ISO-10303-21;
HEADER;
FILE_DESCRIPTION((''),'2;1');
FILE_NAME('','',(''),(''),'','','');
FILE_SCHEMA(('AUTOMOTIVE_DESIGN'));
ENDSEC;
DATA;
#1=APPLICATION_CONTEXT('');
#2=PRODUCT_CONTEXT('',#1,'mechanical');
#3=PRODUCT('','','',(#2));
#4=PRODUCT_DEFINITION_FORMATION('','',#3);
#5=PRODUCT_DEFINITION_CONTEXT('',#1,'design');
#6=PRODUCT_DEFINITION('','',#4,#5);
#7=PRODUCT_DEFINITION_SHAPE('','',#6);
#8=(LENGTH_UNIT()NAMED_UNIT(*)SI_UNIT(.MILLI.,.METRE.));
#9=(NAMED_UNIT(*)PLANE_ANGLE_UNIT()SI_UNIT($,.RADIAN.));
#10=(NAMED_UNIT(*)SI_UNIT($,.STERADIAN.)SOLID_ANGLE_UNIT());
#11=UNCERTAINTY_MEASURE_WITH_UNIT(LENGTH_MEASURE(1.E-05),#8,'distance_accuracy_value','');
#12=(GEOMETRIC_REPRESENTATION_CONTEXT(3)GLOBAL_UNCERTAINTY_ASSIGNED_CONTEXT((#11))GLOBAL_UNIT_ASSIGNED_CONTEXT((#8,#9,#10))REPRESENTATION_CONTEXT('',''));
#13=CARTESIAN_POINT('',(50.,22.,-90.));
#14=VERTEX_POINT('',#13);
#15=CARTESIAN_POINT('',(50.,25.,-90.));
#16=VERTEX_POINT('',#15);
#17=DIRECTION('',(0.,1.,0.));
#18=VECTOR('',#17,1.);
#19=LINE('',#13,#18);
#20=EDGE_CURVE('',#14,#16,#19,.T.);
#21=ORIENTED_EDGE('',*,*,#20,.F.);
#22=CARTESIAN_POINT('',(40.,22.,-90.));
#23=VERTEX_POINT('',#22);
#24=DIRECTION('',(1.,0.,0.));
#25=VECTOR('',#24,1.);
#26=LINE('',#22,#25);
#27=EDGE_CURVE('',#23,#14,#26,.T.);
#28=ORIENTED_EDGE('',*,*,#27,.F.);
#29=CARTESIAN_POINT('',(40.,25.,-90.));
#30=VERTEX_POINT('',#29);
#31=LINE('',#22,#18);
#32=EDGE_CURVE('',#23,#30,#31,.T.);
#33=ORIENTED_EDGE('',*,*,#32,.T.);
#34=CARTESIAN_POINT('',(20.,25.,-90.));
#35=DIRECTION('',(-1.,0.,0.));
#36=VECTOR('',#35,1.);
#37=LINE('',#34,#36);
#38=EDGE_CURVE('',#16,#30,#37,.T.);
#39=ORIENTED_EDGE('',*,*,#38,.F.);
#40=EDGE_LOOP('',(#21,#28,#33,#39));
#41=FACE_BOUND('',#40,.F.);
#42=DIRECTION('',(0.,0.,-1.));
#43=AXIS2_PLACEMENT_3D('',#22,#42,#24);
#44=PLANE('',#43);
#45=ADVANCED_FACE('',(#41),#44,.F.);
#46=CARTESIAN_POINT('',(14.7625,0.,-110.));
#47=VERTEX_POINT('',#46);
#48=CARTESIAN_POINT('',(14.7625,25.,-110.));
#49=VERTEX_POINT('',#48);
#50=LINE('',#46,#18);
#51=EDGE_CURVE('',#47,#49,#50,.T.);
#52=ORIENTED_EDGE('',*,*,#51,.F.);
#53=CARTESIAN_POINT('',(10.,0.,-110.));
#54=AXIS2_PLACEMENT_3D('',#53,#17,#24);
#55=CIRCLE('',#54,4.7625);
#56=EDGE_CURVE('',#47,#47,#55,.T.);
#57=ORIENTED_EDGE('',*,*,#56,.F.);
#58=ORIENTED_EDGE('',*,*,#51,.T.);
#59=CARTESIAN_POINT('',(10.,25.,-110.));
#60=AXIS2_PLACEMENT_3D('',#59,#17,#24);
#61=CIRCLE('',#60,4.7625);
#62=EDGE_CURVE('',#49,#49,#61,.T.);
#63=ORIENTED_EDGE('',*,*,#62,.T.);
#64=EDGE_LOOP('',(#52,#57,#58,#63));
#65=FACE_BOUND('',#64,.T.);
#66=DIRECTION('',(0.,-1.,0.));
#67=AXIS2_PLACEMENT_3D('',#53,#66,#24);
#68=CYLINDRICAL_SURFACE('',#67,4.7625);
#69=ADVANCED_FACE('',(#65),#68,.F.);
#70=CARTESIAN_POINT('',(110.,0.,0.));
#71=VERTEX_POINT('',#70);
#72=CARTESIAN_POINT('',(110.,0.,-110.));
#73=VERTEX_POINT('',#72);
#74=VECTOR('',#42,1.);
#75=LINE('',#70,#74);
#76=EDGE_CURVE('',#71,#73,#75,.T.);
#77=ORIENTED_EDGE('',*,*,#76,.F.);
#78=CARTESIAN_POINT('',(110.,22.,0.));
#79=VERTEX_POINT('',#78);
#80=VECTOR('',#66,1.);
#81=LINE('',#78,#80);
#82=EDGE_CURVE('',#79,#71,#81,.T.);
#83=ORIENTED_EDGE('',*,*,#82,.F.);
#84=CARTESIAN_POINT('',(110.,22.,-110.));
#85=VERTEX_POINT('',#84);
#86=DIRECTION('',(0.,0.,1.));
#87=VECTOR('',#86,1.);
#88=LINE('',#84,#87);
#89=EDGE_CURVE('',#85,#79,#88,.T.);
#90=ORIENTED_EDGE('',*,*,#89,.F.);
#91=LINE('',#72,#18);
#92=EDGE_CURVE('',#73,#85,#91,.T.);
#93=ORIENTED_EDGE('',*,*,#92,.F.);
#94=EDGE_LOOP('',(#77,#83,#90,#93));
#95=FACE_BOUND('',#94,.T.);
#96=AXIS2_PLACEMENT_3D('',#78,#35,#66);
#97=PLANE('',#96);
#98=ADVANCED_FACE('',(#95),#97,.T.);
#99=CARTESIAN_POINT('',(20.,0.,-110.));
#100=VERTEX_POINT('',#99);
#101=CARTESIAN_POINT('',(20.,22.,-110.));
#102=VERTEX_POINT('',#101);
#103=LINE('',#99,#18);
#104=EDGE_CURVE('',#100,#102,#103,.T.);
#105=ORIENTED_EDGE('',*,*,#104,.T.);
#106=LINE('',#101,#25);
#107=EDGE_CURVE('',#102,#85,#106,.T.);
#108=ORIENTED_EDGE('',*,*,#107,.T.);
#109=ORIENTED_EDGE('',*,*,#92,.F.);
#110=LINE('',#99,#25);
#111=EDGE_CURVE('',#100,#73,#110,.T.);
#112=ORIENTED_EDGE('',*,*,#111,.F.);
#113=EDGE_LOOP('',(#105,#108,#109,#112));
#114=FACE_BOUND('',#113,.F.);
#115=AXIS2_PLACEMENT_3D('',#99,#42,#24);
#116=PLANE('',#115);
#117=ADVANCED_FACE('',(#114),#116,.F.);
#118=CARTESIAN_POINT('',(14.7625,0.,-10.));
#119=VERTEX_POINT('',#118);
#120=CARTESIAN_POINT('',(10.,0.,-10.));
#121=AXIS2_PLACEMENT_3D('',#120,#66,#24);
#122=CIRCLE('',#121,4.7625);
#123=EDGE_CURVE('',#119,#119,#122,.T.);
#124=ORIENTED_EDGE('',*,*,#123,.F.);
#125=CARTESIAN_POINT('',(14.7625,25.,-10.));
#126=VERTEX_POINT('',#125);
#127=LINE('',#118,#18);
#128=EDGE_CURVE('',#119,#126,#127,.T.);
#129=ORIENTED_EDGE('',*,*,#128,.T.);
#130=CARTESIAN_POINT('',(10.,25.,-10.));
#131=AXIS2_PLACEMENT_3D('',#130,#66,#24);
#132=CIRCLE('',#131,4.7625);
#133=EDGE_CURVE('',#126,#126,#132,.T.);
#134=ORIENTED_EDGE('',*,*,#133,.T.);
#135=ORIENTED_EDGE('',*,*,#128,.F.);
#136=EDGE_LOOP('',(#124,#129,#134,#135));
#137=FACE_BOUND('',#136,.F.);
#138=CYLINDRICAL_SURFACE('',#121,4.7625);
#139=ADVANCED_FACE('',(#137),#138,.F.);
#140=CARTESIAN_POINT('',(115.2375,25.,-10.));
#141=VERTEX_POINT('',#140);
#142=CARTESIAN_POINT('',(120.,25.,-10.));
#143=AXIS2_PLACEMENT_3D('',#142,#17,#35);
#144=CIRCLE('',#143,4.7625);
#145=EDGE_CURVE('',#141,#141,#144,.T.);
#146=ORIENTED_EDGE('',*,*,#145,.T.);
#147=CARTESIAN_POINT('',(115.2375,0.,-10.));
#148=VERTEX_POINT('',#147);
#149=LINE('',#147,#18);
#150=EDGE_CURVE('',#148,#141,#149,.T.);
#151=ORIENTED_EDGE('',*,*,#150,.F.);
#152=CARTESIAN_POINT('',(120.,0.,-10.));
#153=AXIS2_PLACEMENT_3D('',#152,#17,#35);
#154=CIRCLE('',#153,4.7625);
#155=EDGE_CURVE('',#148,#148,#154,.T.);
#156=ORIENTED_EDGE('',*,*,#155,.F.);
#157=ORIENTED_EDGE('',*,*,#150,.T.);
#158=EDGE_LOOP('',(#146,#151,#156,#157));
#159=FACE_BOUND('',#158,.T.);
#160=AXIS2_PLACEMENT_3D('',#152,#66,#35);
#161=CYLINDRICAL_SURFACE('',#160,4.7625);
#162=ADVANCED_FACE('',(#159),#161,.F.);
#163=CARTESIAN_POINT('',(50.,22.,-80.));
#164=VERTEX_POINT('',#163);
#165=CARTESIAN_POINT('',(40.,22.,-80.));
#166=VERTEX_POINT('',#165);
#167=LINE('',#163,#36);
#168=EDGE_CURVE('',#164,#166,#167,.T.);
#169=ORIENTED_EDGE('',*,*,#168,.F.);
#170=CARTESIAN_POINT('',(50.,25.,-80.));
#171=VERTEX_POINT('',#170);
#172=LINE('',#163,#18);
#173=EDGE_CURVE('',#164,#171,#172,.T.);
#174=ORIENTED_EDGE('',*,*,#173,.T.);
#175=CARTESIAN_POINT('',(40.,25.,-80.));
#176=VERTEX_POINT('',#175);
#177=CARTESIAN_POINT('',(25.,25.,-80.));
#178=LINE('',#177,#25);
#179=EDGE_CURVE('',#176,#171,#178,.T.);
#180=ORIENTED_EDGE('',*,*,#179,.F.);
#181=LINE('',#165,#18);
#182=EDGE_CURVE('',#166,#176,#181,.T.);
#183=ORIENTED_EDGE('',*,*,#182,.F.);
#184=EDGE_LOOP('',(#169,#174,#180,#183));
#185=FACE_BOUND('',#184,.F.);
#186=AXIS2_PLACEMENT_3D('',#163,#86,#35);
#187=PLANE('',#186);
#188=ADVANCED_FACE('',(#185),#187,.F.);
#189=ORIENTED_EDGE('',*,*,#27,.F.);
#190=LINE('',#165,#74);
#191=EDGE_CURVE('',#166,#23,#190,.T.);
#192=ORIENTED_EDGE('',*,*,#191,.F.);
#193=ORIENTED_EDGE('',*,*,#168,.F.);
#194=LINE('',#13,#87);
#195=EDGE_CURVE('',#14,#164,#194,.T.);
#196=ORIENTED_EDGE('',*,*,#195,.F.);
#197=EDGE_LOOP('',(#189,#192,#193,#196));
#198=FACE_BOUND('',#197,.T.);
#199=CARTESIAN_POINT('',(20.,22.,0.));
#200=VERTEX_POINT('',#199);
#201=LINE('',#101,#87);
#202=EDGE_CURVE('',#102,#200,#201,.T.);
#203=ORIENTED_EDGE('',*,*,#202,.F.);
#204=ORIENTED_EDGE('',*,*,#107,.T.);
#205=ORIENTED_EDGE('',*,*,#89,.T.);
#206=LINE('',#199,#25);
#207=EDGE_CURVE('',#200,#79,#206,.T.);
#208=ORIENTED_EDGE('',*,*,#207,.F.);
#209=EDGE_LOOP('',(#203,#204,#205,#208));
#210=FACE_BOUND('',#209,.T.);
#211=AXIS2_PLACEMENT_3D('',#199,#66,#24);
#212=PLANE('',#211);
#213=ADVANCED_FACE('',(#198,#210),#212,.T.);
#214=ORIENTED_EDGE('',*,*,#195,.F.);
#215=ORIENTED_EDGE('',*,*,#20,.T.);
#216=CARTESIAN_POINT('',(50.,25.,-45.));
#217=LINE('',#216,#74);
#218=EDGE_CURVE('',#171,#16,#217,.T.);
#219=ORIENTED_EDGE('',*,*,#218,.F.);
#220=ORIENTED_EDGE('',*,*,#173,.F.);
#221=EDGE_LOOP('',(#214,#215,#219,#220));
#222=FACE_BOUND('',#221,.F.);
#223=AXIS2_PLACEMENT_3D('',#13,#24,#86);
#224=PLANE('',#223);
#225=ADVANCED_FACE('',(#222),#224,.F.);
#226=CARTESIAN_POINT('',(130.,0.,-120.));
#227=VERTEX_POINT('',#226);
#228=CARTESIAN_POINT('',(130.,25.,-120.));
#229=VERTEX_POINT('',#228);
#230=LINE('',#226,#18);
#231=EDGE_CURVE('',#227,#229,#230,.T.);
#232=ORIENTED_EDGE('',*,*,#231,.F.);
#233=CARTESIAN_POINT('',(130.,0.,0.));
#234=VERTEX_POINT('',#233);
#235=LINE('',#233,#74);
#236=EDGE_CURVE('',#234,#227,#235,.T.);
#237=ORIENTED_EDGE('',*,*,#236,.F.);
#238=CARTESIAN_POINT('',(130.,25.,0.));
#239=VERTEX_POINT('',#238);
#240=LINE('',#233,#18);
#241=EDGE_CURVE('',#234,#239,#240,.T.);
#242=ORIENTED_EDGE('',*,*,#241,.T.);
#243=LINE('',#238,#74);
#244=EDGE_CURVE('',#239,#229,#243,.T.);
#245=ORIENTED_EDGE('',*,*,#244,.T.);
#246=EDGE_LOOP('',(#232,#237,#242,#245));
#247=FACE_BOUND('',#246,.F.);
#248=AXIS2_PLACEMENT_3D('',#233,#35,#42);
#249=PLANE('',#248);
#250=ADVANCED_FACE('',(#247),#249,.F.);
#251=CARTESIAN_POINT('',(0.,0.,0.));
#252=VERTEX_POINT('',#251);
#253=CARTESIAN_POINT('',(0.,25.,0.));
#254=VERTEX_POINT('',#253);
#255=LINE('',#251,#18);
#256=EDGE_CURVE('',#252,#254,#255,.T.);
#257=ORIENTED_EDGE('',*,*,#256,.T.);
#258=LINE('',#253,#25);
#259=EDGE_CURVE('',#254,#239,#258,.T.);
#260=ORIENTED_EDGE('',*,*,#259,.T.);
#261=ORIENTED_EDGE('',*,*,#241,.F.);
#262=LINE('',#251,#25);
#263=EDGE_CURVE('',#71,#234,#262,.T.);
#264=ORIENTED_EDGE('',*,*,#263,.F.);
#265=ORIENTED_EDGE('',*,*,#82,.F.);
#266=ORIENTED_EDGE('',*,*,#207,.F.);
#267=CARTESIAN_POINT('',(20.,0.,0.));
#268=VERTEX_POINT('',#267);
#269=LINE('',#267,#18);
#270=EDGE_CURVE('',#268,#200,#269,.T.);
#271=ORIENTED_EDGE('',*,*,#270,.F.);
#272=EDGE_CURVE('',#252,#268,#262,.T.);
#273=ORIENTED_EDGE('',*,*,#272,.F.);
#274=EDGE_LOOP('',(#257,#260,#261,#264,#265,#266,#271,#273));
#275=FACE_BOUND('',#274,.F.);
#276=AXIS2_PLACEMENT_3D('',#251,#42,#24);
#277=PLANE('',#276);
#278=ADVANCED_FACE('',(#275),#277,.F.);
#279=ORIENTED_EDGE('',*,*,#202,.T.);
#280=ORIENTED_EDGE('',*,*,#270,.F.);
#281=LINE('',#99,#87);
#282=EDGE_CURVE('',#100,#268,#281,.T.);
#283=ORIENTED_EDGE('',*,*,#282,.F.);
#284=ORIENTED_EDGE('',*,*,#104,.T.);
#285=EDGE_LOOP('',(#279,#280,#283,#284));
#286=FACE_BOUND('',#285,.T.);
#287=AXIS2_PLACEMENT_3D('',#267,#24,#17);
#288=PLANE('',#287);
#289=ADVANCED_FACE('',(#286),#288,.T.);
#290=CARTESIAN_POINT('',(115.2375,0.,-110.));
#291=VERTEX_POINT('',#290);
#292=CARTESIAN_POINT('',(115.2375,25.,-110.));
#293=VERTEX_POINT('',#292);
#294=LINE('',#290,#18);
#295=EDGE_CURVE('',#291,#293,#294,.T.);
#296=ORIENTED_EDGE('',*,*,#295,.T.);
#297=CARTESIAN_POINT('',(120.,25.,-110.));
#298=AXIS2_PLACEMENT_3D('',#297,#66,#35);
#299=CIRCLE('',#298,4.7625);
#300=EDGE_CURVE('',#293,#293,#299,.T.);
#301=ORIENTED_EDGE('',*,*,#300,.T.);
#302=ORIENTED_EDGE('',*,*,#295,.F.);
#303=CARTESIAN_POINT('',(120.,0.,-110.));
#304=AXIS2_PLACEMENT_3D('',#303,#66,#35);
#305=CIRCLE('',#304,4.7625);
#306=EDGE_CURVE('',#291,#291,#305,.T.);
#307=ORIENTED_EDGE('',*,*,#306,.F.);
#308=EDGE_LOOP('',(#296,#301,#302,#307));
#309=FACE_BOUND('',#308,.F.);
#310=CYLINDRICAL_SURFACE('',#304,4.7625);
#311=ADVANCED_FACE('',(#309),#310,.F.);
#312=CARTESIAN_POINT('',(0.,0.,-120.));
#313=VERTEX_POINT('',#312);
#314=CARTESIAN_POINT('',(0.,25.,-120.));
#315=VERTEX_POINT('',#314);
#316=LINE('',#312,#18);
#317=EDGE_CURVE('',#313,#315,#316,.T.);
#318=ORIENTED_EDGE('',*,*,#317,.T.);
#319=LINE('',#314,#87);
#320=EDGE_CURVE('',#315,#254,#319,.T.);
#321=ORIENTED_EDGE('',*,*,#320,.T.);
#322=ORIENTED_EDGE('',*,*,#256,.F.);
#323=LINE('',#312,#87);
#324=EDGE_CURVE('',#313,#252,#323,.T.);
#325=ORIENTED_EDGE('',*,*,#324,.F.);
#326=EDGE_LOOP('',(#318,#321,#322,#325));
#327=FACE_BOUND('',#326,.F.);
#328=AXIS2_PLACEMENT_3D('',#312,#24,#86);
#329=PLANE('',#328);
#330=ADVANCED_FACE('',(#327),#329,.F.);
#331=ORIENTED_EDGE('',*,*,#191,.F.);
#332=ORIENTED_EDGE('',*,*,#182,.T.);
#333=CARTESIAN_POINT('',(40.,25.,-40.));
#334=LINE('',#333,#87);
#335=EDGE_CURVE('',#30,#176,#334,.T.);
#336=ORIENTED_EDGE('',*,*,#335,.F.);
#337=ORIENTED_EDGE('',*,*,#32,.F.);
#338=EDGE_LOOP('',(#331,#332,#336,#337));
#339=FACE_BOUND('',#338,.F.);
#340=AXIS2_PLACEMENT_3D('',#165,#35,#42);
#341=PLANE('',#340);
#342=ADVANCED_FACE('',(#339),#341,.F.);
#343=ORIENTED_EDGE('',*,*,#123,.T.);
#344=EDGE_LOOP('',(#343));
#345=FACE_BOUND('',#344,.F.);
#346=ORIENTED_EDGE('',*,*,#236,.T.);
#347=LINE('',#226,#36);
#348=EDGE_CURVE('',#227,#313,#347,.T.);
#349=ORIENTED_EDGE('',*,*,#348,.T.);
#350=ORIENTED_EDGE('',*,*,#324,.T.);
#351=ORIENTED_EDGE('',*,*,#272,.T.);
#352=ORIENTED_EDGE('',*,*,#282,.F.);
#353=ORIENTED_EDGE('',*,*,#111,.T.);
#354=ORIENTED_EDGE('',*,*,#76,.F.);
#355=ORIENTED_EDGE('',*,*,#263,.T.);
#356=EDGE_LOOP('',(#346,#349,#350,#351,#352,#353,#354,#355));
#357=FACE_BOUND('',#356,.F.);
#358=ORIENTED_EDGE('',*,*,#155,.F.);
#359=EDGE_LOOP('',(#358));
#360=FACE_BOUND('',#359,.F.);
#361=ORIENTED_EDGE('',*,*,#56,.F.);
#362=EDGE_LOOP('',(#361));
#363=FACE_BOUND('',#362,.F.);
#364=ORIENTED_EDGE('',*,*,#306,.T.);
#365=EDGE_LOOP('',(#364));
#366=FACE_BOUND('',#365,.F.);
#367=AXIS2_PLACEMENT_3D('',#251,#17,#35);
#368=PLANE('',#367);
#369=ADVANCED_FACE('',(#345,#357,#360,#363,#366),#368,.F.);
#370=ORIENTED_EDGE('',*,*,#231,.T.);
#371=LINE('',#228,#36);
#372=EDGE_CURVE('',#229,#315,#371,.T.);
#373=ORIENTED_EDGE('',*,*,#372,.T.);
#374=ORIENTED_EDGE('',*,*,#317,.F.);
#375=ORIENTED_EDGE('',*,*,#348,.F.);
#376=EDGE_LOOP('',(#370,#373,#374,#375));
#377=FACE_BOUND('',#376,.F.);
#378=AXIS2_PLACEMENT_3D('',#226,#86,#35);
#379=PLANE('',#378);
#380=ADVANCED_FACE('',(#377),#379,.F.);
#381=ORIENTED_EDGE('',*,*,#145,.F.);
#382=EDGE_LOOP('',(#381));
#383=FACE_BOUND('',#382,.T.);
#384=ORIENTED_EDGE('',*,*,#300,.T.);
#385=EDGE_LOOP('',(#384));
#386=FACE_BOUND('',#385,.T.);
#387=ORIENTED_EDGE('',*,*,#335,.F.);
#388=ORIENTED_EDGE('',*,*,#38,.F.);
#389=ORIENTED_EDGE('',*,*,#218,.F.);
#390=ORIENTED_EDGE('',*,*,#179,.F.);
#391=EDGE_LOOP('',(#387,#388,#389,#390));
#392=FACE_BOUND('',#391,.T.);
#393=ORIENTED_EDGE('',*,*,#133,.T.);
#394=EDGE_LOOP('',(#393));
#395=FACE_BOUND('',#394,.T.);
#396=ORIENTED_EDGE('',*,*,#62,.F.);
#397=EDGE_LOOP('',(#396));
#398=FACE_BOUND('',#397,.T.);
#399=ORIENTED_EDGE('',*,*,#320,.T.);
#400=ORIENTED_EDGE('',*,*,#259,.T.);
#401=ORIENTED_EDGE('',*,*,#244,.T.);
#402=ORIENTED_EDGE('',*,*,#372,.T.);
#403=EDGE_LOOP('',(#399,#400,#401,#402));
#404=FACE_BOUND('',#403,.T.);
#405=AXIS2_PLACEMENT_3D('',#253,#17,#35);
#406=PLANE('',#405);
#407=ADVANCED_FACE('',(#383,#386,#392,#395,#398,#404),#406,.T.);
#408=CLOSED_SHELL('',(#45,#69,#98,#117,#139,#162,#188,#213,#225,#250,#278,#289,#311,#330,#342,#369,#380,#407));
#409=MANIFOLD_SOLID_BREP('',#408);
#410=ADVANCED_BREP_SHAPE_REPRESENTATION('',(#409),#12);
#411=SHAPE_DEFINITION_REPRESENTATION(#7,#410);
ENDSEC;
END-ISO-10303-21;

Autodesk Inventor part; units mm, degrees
ref_plane "YZ Plane" through (0, 0, 0) normal (1, 0, 0) x (0, 1, 0)
ref_plane "XZ Plane" through (0, 0, 0) normal (0, 1, 0) x (-1, 0, 0)
ref_plane "XY Plane" through (0, 0, 0) normal (0, 0, 1) x (1, 0, 0)
sketch "Sketch1" plane through (0, 0, 0) normal (0, 1, 0) x (-1, 0, 0)
  line L0 (0, 0) -> (-130, 0)
  line L1 (-130, 0) -> (-130, -120)
  line L2 (-130, -120) -> (0, -120)
  line L3 (0, -120) -> (0, 0)
  dimension "d0" = 130
  dimension "d1" = 120
extrude "Extrusion1" add sketch "Sketch1" along normal blind 25
sketch "Sketch2" plane through (0, 0, 0) normal (0, -1, 0) x (1, 0, 0)
  line L0 (110, -6.6572) -> (20, -6.6572)
  line L1 (20, -6.6572) -> (20, -110)
  line L2 (20, -110) -> (110, -110)
  line L3 (110, -110) -> (110, -6.6572)
  line L4 (0, -120) -> (0, 0) projected
  line L5 (0, 0) -> (130, 0) projected
  line L6 (130, -120) -> (0, -120) projected
  line L7 (130, 0) -> (130, -120) projected
  dimension "d5" = 6.6572
  dimension "d46" = 20
  dimension "d47" = 20
  dimension "d48" = 10
extrude "Extrusion2" cut sketch "Sketch2" against normal blind 22 contours L3 L2 L1 L0
sketch "Sketch4" plane through (0, 22, 0) normal (0, -1, 0) x (1, 0, 0)
  line L0 (130, -120) -> (0, -120) projected
  line L1 (40, -90) -> (50, -90)
  line L2 (50, -90) -> (50, -80)
  line L3 (50, -80) -> (40, -80)
  line L4 (40, -80) -> (40, -90)
  line L5 (0, -120) -> (0, 0) projected
  line L6 (20, -110) -> (20, -6.6572) projected
  line L7 (110, -110) -> (20, -110) projected
  dimension "d42" = 10
  dimension "d43" = 10
  dimension "d49" = 20
  dimension "d50" = 20
extrude "Extrusion3" cut sketch "Sketch4" against normal blind 22
sketch "Sketch5" plane through (0, 0, 0) normal (0, 0, 1) x (1, 0, 0)
  line L0 (20, 22) -> (110, 22)
  line L1 (110, 22) -> (110, 0)
  line L2 (110, 0) -> (20, 0)
  line L3 (20, 0) -> (20, 22)
  line L4 (0, 0) -> (0, 25) projected
  line L5 (130, 0) -> (130, 25) projected
  line L6 (0, 0) -> (130, 0) projected
  line L7 (130, 25) -> (0, 25) projected
  dimension "d13" = 20
  dimension "d14" = 20
  dimension "d15" = 0
  dimension "d16" = 3
extrude "Extrusion4" cut sketch "Sketch5" against normal blind 22 contours L0 L1 L2 L3
sketch "Sketch10" plane through (0, 0, 0) normal (0, -1, 0) x (1, 0, 0)
  circle A0 centre (10, -10) radius 4.7625
  line L0 (0, 0) -> (20, 0) projected
  line L1 (0, -120) -> (0, 0) projected
  dimension "d51" = 10
  dimension "d52" = 10
  dimension "d53" = 9.525
ref_plane "Work Plane3" through (65, 0, 0) normal (1, 0, 0) x (0, 0, -1)
ref_plane "Work Plane4" through (0, 25, -60) normal (0, 0, 1) x (1, 0, 0)
extrude "Extrusion7" cut sketch "Sketch10" against normal blind 25
mirror "Mirror4" about plane through (0, 25, -60) normal (0, 0, 1) of "Extrusion7"
mirror "Mirror5" about plane through (65, 0, 0) normal (1, 0, 0) of "Extrusion7", "Mirror4"
properties part number "Case_Top_Partv1"
